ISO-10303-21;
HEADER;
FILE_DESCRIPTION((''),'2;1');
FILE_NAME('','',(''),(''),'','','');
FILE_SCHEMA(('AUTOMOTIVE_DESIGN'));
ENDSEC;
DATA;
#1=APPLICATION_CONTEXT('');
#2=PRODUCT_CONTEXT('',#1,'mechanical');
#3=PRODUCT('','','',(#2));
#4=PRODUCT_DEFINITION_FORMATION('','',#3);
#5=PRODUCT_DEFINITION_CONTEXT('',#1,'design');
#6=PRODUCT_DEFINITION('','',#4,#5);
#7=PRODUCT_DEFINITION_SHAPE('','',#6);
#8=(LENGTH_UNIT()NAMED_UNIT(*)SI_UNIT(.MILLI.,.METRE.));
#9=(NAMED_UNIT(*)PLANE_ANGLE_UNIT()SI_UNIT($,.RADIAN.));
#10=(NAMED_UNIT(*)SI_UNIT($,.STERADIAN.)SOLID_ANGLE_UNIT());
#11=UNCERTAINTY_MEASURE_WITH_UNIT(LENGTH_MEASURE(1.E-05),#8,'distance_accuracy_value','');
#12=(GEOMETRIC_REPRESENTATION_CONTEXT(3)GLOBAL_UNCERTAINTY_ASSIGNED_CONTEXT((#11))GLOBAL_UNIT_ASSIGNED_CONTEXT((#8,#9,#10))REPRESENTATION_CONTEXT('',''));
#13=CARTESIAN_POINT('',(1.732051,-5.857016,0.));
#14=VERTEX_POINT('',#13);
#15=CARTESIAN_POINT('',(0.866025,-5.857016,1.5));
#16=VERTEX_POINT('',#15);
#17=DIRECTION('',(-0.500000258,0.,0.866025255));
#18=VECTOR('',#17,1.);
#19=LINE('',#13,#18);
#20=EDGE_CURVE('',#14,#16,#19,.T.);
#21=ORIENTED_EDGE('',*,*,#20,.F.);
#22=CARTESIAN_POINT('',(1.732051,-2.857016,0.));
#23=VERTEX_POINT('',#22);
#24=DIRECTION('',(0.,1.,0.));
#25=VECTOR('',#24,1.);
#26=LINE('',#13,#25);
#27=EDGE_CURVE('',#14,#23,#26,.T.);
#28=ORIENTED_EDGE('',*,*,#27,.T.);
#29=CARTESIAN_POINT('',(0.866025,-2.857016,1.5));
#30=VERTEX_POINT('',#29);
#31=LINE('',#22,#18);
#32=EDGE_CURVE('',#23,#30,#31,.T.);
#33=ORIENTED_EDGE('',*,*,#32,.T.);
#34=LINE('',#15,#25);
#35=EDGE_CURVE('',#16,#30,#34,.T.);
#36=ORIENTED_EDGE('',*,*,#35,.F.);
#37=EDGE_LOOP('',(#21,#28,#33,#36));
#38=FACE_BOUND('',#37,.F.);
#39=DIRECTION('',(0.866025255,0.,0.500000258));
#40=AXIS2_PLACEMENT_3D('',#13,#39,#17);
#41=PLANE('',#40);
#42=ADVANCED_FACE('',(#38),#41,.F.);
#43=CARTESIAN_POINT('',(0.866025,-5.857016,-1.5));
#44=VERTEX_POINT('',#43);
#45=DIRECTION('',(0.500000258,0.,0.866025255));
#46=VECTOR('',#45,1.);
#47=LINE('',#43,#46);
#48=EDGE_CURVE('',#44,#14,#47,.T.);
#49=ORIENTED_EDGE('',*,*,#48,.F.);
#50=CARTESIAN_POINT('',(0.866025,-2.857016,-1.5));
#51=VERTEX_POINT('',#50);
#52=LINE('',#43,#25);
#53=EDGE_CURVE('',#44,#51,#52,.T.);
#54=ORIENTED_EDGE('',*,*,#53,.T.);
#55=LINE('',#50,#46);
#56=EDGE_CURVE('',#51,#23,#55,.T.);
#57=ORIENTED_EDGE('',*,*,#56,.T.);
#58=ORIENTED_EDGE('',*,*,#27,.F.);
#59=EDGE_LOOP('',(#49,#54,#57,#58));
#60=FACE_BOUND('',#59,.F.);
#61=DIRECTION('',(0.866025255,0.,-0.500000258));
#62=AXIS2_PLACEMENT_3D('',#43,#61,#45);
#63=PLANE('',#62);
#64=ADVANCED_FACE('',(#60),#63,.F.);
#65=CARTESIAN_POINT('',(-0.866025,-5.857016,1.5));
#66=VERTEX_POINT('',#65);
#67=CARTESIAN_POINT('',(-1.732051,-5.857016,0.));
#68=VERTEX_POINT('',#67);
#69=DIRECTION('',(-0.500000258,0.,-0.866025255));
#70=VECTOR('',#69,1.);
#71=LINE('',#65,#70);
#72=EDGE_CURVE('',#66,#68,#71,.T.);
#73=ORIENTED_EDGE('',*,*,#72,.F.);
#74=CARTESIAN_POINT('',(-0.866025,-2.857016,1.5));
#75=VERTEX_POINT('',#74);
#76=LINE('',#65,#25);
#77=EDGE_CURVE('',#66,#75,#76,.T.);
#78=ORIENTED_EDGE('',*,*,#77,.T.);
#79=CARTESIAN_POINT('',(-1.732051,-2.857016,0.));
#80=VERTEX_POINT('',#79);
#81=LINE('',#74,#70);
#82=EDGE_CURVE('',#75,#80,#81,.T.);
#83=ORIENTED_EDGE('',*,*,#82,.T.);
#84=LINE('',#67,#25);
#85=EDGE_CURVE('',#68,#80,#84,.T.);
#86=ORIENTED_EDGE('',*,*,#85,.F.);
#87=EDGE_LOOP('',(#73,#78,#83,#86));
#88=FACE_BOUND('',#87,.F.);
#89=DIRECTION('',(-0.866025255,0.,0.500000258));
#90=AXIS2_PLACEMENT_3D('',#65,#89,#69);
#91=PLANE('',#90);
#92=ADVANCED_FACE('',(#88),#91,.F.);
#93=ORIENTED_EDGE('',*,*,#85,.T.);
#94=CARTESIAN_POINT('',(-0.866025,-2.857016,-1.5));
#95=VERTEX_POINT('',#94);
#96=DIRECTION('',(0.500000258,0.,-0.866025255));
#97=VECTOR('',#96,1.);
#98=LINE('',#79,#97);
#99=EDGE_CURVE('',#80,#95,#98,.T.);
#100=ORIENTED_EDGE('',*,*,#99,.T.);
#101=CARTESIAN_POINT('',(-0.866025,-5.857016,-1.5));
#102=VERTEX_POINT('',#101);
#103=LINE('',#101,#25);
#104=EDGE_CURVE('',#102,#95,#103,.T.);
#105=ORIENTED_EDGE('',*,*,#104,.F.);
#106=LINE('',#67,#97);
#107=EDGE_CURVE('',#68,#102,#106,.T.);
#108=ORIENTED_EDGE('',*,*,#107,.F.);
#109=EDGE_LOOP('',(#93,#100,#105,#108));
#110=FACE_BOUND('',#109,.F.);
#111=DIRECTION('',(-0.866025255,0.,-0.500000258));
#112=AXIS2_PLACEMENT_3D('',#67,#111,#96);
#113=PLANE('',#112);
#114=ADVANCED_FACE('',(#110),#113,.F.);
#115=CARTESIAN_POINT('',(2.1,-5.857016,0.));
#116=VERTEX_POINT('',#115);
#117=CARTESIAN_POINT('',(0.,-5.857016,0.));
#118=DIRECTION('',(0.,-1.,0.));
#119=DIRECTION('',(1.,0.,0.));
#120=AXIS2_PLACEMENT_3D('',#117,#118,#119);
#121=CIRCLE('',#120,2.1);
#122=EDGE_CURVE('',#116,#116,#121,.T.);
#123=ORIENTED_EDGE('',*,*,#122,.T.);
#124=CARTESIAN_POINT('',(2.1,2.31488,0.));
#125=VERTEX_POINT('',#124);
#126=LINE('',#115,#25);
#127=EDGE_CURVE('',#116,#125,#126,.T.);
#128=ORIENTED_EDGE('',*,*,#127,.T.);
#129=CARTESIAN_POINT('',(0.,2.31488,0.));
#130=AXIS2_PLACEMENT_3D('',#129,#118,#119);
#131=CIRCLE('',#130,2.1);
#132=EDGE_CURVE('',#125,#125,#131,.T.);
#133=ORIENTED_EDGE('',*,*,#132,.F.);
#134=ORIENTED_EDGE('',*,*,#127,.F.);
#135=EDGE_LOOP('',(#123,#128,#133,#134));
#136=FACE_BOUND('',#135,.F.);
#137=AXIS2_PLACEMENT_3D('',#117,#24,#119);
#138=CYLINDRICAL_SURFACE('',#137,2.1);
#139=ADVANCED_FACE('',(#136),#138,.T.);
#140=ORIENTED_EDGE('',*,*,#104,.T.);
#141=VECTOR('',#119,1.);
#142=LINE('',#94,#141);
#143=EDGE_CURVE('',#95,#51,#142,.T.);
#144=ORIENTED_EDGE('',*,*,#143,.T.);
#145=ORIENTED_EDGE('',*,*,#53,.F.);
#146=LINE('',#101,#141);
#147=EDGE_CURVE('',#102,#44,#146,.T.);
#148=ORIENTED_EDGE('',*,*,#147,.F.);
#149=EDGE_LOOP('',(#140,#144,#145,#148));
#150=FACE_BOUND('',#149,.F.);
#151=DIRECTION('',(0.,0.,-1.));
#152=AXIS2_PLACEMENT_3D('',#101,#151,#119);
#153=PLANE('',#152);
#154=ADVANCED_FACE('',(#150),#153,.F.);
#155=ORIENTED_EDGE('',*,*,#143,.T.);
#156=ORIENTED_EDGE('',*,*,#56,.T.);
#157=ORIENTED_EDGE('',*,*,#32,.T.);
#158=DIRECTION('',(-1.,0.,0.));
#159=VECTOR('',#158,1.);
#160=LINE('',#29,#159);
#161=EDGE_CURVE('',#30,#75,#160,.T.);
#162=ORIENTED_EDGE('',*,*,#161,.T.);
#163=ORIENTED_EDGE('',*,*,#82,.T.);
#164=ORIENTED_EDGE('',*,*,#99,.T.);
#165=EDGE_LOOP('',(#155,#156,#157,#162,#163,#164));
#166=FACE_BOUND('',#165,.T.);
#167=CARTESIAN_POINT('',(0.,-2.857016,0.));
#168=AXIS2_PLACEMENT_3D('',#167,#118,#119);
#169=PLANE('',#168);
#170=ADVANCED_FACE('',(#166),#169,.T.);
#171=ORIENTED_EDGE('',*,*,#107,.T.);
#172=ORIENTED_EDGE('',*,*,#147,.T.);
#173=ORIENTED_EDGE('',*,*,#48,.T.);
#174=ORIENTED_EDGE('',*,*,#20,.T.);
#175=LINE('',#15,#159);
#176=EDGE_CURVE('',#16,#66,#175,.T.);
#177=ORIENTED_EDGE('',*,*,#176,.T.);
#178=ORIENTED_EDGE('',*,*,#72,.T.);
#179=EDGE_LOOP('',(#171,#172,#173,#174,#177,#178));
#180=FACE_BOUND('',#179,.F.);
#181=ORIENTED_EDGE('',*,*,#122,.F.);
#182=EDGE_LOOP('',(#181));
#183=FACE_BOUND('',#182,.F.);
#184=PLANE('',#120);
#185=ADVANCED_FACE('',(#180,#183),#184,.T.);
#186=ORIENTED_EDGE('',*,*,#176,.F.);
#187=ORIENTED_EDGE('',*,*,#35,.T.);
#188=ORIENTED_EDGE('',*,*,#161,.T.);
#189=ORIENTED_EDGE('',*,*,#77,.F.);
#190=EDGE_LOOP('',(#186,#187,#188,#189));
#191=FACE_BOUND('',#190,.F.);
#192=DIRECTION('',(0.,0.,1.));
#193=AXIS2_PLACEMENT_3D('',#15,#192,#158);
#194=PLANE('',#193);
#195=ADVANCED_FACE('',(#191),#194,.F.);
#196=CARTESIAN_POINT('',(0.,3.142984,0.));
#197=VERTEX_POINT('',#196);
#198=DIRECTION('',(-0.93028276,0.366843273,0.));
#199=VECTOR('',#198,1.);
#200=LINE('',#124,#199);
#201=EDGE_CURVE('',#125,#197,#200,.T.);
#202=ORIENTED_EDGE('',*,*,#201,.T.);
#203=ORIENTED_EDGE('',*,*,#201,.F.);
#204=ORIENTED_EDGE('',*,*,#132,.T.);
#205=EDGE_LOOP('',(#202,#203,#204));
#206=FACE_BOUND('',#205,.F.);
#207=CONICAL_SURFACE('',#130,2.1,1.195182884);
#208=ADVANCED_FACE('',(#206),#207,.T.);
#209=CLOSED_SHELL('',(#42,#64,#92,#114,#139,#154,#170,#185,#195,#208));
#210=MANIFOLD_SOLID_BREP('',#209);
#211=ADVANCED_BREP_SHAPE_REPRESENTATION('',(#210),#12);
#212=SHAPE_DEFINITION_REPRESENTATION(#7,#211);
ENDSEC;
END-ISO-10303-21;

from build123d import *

# Parameters (mm, degrees)
F3_DEPTH = 3


with BuildPart() as f1:
    # F0 (on Top) → F1 (revolve)
    with BuildSketch(Plane.XY):
        Polygon((0, 3.142984), (0, -5.857016), (2.1, -5.857016), (2.1, 2.31488), align=None)
    revolve(axis=Axis((0, 0.078355, 0), (0, -1, 0)))

    # F2 (on face) → F3 (cut)
    with BuildSketch(Plane.XZ.offset(5.857016)):
        Polygon((-0.866025, -1.5), (0.866025, -1.5), (1.732051, 0), (0.866025, 1.5), (-0.866025, 1.5), (-1.732051, 0), align=None)
    extrude(amount=-F3_DEPTH, mode=Mode.SUBTRACT)


solid = f1.part
